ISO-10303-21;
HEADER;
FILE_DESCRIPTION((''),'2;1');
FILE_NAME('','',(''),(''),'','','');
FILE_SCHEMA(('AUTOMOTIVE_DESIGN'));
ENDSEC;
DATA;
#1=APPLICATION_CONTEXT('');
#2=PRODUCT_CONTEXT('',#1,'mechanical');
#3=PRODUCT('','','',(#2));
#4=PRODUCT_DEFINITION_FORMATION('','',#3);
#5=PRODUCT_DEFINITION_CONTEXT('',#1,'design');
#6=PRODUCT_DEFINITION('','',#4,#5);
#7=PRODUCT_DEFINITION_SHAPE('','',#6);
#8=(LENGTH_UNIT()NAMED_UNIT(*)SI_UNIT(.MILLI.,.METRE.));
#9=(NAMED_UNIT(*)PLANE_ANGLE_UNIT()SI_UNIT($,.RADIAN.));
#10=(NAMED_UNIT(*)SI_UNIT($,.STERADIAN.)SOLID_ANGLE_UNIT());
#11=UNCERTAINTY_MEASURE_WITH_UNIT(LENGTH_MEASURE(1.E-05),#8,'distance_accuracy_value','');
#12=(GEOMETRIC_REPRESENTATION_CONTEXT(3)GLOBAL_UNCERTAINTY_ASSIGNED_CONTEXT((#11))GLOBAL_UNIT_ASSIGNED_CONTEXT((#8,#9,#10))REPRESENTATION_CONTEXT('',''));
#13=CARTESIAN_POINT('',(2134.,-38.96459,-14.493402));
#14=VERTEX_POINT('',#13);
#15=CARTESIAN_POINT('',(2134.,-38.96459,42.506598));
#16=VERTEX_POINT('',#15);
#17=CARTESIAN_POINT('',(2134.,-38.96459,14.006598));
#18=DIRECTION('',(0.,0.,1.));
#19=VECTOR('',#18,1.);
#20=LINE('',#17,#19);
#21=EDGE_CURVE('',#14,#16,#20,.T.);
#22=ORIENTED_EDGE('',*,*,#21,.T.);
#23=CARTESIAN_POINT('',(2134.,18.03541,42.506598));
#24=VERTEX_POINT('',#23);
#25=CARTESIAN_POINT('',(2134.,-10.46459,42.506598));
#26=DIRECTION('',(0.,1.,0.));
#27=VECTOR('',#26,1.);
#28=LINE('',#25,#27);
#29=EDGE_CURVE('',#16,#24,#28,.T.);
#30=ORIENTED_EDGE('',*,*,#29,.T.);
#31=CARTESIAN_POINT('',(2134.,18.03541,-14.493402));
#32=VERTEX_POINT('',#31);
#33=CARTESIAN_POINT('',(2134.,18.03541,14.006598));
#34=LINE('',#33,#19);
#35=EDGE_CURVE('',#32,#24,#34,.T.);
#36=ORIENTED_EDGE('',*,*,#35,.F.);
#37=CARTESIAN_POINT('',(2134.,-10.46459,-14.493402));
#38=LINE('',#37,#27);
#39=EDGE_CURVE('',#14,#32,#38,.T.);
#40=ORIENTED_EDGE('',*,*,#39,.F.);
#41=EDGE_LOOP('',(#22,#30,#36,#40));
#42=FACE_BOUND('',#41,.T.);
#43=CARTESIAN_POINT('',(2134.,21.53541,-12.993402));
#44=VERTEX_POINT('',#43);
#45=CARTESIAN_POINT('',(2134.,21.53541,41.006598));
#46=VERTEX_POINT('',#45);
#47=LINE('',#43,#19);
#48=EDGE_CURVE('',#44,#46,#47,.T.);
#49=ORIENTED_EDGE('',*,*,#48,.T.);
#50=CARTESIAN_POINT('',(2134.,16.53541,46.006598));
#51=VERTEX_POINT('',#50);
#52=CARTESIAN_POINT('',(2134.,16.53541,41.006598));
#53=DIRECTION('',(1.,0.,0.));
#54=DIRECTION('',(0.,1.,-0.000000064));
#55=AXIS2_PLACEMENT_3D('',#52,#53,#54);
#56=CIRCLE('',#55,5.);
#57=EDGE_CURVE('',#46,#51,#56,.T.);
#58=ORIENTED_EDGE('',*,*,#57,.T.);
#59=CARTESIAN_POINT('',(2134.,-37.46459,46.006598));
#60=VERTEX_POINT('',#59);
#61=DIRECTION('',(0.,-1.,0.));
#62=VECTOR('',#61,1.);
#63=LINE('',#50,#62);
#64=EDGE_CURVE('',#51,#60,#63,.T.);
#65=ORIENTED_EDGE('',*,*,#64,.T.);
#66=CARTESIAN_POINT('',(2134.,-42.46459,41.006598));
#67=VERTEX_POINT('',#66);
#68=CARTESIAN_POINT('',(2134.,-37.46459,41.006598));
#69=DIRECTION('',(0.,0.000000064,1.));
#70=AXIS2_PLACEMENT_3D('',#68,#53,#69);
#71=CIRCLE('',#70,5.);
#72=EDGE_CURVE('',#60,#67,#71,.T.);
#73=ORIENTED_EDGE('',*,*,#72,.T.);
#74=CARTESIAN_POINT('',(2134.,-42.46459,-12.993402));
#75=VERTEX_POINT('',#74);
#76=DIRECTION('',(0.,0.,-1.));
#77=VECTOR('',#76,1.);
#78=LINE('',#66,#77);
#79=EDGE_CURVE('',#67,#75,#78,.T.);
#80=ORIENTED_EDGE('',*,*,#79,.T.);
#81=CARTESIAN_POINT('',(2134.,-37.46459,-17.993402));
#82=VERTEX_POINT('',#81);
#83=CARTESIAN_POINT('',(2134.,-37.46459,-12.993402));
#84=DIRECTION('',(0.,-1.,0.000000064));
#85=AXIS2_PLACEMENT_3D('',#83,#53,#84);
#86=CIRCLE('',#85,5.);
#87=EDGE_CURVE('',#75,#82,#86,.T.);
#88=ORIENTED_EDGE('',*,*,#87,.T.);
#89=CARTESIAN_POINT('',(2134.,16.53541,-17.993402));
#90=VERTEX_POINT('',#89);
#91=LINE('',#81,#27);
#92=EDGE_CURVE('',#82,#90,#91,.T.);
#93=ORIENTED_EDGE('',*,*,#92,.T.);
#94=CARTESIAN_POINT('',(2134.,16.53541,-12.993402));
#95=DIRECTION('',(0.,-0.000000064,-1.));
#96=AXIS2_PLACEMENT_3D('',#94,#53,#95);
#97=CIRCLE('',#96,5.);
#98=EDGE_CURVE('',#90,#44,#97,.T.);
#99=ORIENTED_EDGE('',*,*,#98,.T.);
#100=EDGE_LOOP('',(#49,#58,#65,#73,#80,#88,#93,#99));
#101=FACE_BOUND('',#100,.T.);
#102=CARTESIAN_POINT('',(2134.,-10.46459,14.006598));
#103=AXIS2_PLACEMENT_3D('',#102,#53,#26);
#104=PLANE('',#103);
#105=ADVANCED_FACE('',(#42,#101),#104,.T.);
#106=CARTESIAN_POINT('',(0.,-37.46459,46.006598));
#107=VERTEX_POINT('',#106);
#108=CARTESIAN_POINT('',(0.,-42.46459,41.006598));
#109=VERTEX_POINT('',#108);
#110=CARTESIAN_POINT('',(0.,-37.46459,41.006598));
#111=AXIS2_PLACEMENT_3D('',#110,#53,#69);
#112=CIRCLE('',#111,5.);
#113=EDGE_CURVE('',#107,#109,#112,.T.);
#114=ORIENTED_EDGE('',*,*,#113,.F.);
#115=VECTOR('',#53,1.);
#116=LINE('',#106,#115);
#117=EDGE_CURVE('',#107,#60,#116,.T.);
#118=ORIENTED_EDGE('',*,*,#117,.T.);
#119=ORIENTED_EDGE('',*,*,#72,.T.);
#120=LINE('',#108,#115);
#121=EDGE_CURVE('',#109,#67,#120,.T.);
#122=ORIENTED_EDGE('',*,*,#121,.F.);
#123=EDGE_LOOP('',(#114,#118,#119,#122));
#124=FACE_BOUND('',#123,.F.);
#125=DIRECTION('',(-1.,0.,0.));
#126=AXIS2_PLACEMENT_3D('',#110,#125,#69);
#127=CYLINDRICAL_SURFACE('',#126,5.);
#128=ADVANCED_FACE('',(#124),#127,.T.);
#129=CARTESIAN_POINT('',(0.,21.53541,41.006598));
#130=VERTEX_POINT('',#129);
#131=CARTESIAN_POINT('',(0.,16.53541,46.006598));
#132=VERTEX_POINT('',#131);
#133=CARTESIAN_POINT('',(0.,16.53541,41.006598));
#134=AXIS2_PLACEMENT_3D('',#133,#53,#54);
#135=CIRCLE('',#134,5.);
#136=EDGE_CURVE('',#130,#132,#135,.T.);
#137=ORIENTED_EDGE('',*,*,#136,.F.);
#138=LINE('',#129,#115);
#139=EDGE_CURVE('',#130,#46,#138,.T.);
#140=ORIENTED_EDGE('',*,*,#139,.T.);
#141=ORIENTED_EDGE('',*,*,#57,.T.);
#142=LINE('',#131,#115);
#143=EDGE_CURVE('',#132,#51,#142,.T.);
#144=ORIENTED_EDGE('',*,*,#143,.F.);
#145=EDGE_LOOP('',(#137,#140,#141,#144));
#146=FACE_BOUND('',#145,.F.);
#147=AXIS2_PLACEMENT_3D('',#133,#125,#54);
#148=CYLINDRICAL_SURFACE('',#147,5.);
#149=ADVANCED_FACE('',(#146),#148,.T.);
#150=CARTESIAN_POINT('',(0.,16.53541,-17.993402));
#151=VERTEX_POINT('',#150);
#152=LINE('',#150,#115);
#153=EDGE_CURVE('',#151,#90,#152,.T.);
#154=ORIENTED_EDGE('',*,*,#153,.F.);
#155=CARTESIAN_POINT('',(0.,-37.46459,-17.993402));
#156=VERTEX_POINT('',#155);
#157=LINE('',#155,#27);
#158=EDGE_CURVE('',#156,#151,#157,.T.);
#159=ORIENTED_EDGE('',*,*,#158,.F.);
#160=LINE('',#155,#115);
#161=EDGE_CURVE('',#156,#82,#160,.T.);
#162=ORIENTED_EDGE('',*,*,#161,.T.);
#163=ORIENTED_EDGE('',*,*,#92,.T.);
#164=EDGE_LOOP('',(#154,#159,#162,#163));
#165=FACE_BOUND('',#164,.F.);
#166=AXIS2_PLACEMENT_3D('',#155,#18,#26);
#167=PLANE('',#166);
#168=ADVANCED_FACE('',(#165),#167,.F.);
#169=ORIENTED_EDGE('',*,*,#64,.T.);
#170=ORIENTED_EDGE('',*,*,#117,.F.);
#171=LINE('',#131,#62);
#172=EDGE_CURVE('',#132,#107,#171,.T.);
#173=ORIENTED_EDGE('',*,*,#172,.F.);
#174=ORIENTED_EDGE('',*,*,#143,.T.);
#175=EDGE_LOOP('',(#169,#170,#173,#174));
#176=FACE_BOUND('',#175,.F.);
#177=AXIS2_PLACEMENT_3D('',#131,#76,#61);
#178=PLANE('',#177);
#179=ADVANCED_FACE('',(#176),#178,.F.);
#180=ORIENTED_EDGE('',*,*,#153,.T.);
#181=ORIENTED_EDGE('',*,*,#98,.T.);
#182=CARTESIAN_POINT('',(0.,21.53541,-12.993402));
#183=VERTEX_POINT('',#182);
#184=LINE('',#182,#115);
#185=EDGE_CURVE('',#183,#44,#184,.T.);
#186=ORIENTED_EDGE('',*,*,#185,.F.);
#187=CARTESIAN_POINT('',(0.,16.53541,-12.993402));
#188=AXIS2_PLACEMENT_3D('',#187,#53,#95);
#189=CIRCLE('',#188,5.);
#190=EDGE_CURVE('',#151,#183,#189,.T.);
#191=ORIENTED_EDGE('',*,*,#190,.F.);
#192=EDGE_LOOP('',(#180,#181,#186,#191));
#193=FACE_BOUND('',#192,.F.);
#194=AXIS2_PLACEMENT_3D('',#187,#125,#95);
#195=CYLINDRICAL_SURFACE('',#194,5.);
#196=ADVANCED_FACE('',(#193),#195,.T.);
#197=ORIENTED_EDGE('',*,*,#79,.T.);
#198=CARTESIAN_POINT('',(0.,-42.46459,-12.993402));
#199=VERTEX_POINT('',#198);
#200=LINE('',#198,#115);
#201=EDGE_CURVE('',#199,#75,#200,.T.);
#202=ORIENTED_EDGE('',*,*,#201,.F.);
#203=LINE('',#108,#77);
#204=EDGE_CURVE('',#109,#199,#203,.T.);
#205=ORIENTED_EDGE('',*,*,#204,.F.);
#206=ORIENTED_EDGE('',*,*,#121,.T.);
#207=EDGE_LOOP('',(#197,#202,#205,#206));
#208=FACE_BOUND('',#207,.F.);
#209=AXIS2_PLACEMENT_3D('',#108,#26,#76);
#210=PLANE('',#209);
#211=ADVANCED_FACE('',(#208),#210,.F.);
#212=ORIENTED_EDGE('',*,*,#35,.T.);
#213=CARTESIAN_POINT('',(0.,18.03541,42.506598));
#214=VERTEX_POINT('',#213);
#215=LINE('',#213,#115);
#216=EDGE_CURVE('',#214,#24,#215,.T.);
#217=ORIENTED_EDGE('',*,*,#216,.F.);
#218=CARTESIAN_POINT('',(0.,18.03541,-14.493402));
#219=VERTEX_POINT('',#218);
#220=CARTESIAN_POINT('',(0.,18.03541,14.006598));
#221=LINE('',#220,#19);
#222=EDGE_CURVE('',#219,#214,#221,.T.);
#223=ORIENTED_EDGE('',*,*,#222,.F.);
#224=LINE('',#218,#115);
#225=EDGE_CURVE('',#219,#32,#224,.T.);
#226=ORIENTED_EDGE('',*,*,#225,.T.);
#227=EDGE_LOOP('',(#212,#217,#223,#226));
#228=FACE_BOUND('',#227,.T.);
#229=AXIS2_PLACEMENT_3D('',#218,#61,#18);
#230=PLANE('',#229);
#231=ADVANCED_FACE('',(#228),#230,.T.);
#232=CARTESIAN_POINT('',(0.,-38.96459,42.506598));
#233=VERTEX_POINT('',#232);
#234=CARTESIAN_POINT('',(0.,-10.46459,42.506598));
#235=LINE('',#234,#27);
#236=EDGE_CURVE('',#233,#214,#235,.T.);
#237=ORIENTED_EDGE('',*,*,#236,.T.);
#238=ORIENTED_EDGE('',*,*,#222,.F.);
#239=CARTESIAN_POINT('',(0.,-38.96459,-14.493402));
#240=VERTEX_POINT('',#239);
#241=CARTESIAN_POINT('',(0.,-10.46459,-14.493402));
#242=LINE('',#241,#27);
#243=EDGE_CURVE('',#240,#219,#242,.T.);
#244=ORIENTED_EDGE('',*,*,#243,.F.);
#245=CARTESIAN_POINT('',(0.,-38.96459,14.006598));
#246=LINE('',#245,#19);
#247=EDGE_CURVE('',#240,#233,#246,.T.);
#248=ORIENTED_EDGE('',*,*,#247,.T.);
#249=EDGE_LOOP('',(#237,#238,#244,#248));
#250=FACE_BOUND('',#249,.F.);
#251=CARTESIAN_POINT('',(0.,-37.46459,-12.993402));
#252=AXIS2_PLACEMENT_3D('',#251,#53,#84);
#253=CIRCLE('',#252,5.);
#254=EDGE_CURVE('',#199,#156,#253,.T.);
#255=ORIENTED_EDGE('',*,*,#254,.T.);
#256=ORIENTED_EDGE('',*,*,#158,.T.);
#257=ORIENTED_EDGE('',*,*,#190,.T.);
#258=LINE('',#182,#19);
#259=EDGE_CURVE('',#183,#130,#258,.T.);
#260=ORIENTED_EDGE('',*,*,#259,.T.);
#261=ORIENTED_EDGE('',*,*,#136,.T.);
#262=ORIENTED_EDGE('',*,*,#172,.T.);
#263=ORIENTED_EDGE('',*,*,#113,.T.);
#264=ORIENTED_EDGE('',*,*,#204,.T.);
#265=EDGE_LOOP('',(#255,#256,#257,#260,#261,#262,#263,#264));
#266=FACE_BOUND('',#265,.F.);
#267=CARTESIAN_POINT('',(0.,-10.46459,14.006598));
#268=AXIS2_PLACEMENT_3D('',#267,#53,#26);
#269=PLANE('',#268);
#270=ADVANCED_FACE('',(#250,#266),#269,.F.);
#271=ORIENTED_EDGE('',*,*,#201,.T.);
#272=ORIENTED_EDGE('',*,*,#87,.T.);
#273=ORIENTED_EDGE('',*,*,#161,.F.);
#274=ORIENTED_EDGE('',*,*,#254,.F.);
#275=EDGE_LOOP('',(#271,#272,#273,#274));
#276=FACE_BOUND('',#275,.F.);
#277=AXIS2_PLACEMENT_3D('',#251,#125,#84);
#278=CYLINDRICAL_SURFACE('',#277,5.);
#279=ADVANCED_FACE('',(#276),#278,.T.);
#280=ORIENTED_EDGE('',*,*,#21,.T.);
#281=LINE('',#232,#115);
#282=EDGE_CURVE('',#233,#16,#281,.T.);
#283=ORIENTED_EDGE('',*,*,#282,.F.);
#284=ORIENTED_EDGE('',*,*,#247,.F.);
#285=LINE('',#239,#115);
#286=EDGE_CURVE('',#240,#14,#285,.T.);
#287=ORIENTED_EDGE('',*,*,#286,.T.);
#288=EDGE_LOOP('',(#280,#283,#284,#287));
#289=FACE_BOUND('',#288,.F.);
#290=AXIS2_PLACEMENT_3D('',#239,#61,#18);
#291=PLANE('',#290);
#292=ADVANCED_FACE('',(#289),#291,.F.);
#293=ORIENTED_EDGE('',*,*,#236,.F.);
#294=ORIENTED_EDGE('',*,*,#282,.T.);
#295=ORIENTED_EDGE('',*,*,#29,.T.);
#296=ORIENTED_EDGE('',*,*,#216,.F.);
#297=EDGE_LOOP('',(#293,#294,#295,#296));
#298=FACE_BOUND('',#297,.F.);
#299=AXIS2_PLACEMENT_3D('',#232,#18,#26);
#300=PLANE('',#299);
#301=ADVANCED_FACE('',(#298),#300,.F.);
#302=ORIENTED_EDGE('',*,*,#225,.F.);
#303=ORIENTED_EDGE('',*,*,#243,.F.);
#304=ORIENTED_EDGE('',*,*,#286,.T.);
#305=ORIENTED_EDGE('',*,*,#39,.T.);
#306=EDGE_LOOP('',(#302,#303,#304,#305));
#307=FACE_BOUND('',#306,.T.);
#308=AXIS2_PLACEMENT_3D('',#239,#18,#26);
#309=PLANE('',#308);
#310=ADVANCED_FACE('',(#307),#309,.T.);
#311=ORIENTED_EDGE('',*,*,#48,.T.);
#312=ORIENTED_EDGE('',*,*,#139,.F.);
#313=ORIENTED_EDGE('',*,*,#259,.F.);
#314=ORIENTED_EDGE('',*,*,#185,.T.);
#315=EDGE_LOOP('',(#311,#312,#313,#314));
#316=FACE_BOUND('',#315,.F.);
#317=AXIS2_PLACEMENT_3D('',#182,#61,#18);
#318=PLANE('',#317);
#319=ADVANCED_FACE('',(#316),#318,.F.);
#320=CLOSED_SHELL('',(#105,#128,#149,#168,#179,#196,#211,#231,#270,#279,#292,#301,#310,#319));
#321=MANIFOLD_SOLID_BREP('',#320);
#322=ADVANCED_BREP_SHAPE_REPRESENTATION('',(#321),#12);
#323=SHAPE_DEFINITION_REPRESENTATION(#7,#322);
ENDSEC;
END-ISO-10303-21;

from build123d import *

# Parameters (mm, degrees)
F0_W     = 57
F0_H     = 57
F1_DEPTH = 2134


with BuildPart() as f1:
    # F0 (on Right) → F1 (new body)
    with BuildSketch(Plane.YZ):
        with BuildLine():
            Line((16.53541, 46.006598), (-37.46459, 46.006598))
            ThreePointArc((-37.46459, 46.006598), (-41.000124, 44.542132), (-42.46459, 41.006598))
            Line((-42.46459, 41.006598), (-42.46459, -12.993402))
            ThreePointArc((-42.46459, -12.993402), (-41.000124, -16.528936), (-37.46459, -17.993402))
            Line((-37.46459, -17.993402), (16.53541, -17.993402))
            ThreePointArc((16.53541, -17.993402), (20.070944, -16.528936), (21.53541, -12.993402))
            Line((21.53541, -12.993402), (21.53541, 41.006598))
            ThreePointArc((21.53541, 41.006598), (20.070944, 44.542132), (16.53541, 46.006598))
        make_face()
        with Locations((-10.46459, 14.006598)):
            Rectangle(F0_W, F0_H, mode=Mode.SUBTRACT)
    extrude(amount=F1_DEPTH)


solid = f1.part
